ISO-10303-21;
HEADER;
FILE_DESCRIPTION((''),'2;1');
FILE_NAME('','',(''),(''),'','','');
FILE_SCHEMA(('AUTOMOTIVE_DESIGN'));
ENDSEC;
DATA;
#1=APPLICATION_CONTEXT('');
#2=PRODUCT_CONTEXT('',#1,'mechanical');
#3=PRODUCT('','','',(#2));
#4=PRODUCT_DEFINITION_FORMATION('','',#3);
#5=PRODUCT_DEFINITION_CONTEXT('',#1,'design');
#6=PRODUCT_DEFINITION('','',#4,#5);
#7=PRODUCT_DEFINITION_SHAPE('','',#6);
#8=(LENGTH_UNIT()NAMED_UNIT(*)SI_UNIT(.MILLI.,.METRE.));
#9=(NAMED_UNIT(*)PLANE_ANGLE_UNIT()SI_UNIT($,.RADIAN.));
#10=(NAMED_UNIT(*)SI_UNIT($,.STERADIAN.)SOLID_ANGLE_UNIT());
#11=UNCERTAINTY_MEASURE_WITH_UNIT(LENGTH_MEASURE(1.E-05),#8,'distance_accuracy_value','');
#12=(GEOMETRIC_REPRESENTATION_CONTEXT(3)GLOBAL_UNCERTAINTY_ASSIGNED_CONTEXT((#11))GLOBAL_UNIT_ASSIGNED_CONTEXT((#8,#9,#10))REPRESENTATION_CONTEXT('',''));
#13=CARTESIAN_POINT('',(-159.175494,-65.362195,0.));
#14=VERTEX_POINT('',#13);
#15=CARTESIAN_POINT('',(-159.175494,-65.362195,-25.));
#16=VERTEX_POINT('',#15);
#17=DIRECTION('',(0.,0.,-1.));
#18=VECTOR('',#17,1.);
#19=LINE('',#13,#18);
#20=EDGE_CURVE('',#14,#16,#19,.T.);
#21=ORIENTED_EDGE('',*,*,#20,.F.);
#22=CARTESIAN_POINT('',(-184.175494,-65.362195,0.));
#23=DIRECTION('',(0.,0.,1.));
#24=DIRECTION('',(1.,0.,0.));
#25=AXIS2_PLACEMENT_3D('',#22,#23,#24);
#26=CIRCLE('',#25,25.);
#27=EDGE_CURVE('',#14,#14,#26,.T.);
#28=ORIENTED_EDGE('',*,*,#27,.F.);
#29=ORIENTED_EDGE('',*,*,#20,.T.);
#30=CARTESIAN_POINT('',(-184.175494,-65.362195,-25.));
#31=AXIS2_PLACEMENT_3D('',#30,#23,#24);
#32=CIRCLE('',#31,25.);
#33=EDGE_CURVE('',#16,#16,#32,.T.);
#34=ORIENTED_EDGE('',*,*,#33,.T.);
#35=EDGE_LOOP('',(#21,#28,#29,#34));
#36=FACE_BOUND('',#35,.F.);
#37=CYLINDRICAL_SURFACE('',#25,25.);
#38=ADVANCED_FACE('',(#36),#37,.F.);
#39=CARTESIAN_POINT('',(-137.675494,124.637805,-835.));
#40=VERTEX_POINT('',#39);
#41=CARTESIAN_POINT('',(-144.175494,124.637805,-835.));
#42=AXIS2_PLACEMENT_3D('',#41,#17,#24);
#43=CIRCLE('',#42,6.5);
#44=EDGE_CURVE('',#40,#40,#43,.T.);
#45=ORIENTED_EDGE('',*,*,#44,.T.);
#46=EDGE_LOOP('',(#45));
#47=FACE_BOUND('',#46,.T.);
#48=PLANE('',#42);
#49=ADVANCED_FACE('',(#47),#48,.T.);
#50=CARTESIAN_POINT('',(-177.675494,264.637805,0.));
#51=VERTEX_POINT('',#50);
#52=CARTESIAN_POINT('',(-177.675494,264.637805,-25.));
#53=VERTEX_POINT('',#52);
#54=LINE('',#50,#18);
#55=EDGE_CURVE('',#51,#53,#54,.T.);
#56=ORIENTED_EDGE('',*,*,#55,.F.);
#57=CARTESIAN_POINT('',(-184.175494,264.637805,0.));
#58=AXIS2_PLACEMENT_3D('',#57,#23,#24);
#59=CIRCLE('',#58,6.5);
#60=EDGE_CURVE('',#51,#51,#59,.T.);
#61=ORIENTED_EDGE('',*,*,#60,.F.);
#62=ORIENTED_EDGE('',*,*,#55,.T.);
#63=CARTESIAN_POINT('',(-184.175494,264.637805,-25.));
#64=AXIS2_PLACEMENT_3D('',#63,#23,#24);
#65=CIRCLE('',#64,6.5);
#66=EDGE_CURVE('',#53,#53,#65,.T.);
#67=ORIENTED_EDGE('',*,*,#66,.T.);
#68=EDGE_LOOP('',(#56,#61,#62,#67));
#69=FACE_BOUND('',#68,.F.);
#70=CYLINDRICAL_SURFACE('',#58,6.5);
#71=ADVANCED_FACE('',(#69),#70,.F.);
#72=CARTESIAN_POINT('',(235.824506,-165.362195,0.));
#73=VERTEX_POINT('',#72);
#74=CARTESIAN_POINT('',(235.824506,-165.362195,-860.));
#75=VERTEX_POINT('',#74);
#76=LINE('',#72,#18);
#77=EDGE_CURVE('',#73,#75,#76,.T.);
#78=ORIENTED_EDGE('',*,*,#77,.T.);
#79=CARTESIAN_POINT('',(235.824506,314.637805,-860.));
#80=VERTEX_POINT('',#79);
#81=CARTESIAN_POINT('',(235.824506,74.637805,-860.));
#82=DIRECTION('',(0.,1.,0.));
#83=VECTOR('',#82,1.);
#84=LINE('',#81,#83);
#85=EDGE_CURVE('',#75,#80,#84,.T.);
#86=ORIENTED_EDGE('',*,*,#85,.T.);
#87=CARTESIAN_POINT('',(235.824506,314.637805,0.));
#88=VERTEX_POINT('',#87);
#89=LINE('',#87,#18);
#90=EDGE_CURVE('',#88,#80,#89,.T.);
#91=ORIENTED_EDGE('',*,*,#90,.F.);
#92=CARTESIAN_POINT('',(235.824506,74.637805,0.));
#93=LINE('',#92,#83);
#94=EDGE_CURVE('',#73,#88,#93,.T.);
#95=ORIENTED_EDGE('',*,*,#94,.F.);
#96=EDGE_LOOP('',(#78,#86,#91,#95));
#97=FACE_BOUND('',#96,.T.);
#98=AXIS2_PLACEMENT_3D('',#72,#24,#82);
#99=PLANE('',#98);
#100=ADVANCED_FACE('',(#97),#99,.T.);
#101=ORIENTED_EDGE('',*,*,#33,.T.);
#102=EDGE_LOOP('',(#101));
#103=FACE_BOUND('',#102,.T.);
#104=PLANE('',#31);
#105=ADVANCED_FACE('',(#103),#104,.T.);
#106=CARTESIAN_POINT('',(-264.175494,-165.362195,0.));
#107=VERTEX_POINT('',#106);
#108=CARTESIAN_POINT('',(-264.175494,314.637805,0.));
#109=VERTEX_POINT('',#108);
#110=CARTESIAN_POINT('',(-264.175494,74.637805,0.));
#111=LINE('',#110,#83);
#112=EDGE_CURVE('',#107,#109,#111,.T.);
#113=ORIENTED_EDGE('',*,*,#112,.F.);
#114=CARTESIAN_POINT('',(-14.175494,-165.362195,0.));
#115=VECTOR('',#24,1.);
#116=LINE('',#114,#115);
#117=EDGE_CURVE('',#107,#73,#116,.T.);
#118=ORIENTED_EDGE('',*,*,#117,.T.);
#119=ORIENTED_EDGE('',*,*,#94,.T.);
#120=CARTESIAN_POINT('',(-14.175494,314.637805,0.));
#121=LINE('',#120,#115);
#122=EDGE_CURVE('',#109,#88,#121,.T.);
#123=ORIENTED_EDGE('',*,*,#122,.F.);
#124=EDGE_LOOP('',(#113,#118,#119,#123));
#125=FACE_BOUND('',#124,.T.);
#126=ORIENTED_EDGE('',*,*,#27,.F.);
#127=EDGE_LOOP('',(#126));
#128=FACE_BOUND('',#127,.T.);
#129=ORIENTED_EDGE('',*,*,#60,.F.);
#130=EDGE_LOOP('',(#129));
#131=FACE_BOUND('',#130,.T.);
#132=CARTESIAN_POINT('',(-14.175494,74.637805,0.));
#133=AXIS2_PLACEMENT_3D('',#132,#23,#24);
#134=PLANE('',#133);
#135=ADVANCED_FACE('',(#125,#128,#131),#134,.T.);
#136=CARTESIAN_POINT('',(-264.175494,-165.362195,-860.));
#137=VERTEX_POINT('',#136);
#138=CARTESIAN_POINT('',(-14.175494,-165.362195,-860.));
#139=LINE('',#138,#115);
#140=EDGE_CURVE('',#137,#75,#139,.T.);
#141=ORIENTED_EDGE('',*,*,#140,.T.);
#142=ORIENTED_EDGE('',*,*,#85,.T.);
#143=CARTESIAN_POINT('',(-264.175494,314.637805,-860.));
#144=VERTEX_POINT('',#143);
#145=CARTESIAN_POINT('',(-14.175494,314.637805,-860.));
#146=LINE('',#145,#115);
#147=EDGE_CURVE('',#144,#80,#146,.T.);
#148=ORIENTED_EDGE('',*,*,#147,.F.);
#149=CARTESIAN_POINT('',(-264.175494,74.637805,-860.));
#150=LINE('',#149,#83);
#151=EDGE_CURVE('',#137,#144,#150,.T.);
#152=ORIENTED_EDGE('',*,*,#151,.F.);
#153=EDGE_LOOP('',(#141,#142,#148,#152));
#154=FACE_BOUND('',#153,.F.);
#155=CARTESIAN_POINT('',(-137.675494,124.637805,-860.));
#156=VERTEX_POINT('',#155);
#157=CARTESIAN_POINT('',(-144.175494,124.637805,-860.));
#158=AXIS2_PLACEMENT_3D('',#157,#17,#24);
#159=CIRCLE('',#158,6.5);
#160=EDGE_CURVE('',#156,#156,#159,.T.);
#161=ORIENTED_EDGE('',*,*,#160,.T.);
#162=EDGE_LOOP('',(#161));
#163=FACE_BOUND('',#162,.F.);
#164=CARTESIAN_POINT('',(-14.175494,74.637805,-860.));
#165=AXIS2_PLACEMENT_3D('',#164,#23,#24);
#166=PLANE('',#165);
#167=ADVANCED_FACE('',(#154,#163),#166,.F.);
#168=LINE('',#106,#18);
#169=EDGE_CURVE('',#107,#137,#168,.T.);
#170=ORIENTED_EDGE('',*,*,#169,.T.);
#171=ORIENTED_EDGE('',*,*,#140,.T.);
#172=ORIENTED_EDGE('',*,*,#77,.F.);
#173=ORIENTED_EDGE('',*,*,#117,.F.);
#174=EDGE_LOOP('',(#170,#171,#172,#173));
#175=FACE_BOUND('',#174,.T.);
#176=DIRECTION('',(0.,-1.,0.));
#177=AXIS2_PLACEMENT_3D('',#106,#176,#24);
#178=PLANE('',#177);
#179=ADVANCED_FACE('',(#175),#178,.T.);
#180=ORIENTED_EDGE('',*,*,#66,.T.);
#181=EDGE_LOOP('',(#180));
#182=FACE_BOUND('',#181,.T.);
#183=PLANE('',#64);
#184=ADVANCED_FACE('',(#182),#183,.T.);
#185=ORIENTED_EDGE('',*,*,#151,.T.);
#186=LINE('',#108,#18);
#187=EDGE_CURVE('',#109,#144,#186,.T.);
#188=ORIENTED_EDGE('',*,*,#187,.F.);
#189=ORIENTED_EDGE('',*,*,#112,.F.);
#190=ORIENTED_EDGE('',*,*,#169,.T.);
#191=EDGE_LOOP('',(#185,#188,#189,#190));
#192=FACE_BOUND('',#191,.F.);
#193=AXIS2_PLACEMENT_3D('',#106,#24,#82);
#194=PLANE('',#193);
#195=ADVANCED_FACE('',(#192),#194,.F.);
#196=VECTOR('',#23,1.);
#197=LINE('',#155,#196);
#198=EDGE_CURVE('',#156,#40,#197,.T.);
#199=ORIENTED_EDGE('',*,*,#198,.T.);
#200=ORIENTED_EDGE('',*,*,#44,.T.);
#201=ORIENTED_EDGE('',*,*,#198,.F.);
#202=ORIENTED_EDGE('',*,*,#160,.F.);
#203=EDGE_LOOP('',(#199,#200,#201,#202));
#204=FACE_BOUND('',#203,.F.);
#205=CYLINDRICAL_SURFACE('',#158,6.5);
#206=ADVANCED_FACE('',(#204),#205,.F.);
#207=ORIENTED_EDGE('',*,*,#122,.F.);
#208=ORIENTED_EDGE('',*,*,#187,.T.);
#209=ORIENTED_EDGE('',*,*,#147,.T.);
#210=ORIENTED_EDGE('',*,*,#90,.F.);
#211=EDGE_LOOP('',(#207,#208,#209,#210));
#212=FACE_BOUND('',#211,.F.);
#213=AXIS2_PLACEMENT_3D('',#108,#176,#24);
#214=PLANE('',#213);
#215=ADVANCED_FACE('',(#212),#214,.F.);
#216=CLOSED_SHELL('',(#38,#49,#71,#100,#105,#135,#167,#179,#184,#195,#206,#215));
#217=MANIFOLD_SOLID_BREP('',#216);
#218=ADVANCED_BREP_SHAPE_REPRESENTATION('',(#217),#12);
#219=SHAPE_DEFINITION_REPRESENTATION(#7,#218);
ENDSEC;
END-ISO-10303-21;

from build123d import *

# Parameters (mm, degrees)
F0_W     = 500
F0_H     = 480
F1_DEPTH = 860
F2_R     = 25
F2_R_2   = 6.5
F3_DEPTH = 25
F4_R     = 6.5
F5_DEPTH = 25


with BuildPart() as f1:
    # F0 (on Top) → F1 (new body)
    with BuildSketch(Plane.XY):
        with Locations((-14.175494, 74.637805)):
            Rectangle(F0_W, F0_H)
    extrude(amount=-F1_DEPTH)

    # F2 (on face) → F3 (cut)
    with BuildSketch(Plane.XY):
        with Locations((-184.175494, -65.362195)):
            Circle(F2_R)
        with Locations((-184.175494, 264.637805)):
            Circle(F2_R_2)
    extrude(amount=-F3_DEPTH, mode=Mode.SUBTRACT)

    # F4 (on face) → F5 (cut)
    with BuildSketch(Plane(origin=(0, 0, -860), x_dir=(1, 0, 0), z_dir=(0, 0, -1))):
        with Locations((-144.175494, -124.637805)):
            Circle(F4_R)
    extrude(amount=-F5_DEPTH, mode=Mode.SUBTRACT)


solid = f1.part
